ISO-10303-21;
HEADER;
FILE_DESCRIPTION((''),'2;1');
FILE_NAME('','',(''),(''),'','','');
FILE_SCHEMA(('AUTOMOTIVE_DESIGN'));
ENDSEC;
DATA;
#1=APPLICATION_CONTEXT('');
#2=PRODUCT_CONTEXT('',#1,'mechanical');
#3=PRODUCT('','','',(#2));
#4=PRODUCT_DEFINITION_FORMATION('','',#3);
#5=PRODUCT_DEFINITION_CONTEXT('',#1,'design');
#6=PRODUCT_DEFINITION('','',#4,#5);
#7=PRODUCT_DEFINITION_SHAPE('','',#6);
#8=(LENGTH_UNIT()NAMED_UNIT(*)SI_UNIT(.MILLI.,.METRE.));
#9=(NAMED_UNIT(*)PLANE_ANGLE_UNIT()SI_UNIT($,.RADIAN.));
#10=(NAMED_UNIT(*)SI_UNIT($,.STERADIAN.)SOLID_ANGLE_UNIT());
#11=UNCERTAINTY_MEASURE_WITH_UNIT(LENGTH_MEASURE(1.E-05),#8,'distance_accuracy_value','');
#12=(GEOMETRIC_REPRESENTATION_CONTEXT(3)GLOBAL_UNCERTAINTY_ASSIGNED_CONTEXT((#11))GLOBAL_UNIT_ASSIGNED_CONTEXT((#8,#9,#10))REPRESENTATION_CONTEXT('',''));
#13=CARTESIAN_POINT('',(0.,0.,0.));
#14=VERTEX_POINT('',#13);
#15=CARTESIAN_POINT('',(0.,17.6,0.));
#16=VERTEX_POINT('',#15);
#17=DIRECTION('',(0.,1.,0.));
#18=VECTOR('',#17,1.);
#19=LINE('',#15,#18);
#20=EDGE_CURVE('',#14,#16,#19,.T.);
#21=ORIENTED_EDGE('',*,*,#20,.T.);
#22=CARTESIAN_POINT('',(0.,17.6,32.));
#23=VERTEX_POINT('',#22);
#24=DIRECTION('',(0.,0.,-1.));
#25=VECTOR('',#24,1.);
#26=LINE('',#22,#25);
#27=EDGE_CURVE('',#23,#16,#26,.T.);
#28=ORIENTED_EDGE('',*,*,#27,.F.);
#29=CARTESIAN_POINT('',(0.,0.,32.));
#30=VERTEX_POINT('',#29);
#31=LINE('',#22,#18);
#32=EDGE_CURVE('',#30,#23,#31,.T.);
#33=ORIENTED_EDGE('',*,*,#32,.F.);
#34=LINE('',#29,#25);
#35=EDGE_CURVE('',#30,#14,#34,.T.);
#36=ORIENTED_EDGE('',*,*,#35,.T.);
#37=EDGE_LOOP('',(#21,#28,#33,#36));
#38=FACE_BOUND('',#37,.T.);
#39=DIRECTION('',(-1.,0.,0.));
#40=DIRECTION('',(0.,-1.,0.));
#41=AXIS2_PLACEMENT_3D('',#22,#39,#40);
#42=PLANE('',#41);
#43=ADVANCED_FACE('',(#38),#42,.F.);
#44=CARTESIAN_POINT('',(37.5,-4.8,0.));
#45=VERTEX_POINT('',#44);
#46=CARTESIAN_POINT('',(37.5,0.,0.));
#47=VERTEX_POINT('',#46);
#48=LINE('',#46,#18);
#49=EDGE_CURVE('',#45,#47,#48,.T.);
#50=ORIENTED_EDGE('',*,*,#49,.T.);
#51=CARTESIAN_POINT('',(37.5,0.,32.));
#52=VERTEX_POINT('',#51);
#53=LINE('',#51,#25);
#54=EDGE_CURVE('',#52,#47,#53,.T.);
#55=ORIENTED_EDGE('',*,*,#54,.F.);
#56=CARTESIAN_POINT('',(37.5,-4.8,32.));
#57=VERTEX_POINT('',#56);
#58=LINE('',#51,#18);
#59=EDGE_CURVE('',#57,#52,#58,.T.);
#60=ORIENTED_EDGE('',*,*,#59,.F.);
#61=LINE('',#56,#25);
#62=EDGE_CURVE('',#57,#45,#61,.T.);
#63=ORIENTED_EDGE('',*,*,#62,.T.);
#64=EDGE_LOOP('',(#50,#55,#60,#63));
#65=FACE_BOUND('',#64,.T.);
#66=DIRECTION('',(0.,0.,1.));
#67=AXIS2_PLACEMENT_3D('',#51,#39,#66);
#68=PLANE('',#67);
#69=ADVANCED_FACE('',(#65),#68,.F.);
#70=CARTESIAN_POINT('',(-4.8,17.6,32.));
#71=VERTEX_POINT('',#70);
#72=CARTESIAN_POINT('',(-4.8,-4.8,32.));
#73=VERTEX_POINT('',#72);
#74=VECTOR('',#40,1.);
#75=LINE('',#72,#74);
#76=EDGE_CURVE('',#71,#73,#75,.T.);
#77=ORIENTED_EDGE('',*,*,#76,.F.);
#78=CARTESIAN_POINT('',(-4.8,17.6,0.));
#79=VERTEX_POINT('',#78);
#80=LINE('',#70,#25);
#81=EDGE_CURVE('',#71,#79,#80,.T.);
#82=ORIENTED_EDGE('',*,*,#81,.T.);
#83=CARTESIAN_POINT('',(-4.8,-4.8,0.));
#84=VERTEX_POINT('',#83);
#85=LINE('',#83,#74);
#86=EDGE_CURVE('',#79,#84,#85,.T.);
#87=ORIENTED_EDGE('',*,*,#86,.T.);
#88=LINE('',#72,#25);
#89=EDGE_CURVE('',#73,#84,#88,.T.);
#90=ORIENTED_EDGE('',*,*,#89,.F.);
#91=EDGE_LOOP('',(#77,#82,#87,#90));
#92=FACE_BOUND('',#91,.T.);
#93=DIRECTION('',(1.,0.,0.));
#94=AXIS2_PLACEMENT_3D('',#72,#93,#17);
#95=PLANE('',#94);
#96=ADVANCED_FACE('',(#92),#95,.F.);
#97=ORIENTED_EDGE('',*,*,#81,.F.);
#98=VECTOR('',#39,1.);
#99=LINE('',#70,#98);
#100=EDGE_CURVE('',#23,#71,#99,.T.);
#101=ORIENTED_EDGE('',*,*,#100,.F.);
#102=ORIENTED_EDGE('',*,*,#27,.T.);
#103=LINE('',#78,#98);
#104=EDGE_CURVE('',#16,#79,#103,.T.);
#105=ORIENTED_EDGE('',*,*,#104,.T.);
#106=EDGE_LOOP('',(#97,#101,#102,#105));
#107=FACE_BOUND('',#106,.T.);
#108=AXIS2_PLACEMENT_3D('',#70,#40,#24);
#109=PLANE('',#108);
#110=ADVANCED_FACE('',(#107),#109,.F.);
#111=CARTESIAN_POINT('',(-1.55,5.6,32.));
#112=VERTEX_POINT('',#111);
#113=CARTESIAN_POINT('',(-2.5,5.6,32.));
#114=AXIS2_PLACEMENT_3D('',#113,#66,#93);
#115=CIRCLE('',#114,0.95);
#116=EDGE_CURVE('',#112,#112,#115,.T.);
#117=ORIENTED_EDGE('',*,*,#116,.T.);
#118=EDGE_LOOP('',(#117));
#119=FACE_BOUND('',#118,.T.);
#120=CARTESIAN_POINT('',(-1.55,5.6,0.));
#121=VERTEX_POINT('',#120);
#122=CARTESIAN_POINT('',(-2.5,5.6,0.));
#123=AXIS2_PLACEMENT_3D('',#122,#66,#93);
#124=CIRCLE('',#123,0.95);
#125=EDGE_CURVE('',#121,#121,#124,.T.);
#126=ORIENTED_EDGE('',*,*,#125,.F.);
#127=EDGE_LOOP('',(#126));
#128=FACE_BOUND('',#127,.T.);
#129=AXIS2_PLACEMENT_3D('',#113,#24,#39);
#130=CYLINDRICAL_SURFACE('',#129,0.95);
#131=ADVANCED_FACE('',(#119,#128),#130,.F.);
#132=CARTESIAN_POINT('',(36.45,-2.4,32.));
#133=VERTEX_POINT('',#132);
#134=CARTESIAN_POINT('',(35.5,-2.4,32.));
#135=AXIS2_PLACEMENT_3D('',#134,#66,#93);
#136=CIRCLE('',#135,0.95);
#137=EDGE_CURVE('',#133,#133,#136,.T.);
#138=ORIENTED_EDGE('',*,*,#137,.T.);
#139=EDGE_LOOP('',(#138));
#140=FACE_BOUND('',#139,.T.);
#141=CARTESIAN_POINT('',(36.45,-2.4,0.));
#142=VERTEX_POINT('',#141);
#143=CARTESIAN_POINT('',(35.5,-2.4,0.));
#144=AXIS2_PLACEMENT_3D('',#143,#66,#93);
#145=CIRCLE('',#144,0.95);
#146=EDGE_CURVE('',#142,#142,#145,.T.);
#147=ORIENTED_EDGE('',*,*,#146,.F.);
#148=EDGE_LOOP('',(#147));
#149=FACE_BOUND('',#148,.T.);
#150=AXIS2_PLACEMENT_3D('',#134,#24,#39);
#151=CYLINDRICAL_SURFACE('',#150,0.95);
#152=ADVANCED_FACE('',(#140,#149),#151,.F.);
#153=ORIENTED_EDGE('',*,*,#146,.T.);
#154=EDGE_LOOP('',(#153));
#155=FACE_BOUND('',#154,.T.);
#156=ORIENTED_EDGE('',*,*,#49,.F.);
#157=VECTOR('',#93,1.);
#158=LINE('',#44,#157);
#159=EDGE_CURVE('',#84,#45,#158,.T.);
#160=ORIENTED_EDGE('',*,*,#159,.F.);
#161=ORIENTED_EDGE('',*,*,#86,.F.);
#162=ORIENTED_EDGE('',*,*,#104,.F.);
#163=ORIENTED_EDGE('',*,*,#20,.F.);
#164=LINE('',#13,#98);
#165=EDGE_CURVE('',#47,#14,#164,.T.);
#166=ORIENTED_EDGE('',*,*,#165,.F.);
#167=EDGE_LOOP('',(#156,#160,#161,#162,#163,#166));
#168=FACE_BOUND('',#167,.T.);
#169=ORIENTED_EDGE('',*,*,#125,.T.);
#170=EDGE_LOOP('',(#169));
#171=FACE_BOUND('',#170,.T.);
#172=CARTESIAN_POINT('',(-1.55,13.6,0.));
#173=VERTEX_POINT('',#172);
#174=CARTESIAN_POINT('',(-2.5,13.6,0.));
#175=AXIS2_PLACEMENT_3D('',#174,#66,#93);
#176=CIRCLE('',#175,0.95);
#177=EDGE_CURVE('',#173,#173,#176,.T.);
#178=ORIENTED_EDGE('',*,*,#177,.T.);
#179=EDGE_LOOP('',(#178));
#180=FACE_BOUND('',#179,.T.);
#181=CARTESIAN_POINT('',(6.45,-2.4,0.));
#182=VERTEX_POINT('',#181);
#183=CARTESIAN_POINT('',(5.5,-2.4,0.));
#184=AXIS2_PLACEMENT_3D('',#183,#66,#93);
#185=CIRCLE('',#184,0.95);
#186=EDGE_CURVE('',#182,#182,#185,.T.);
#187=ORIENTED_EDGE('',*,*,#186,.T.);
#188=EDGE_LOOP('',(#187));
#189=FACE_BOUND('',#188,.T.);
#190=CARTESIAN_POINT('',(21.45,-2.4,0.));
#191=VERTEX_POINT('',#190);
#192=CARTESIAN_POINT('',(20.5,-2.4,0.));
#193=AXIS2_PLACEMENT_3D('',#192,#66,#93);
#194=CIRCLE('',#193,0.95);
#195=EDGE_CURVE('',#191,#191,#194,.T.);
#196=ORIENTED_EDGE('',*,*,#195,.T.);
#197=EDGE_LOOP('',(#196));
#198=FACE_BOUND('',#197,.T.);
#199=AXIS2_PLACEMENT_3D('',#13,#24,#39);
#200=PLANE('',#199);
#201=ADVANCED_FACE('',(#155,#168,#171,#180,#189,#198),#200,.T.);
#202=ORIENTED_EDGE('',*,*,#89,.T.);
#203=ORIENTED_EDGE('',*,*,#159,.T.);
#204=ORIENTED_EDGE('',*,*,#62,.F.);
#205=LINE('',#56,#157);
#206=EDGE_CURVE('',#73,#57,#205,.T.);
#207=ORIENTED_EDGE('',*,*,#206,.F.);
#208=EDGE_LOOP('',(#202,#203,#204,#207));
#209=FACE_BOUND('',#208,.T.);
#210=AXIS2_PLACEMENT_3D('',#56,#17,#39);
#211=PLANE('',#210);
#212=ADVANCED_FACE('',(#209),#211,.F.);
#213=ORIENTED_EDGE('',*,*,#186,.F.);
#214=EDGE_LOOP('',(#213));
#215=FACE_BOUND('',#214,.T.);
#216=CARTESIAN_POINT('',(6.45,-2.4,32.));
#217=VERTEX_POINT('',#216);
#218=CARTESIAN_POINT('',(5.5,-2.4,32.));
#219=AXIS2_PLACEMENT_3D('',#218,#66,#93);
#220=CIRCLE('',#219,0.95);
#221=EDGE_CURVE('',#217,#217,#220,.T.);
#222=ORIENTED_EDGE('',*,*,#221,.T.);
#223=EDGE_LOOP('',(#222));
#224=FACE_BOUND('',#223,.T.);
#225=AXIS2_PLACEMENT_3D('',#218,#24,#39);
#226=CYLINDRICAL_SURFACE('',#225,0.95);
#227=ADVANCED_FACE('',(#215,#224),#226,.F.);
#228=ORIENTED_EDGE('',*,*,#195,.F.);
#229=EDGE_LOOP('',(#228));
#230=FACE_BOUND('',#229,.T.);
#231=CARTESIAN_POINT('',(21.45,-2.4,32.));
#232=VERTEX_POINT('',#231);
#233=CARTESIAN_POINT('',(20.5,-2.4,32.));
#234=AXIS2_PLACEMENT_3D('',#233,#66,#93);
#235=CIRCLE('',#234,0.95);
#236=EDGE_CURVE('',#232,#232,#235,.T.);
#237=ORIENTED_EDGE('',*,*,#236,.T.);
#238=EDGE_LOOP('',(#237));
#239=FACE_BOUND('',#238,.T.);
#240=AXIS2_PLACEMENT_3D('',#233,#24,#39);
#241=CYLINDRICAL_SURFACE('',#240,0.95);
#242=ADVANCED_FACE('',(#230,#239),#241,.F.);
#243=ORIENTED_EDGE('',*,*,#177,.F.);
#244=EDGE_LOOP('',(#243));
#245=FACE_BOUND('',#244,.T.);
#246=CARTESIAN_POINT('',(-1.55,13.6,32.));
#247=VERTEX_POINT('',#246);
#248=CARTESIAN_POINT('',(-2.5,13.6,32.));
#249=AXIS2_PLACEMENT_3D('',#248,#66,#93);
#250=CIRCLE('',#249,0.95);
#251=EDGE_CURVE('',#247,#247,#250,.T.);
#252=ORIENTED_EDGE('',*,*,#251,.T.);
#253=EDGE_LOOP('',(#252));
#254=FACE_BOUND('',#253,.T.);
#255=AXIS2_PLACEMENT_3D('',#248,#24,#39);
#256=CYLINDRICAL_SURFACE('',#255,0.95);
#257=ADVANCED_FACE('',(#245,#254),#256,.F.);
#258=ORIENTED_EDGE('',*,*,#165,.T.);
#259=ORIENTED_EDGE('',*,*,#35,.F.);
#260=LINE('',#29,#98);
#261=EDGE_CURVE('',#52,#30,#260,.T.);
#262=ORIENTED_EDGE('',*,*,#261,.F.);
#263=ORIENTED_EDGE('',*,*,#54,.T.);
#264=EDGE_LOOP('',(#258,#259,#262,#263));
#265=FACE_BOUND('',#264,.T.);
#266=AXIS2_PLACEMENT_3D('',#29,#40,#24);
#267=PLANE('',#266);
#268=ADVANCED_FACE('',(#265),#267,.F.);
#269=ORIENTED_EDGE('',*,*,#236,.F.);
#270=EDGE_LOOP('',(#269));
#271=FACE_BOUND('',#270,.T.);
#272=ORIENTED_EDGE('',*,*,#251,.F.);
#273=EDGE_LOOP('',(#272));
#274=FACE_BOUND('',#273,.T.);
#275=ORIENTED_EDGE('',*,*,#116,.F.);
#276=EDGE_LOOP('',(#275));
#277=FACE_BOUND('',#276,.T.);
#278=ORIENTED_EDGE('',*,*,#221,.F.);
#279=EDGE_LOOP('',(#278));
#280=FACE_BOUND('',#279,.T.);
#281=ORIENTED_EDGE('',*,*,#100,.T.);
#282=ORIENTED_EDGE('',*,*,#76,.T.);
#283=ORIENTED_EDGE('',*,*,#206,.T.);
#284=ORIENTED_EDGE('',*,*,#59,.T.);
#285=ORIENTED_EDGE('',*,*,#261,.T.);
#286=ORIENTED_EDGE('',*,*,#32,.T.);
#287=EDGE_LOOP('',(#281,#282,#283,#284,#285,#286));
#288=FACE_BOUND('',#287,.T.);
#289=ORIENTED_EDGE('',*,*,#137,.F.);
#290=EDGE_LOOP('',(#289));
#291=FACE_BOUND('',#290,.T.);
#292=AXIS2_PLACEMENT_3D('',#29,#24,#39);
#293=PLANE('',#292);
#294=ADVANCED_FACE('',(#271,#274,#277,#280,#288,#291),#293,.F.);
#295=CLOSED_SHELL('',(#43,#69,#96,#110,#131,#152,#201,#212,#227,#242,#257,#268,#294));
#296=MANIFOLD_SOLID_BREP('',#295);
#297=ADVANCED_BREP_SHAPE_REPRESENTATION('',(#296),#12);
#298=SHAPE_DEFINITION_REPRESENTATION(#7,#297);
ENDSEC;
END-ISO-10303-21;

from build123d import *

# Parameters (mm, degrees)
SKETCH_1_R      = 0.95
EXTRUDE_1_DEPTH = 32


with BuildPart() as part:
    # 草图1 → 凸台-拉伸1 (new body)
    with BuildSketch(Plane.XY):
        Polygon((0, 17.6), (0, 0), (37.5, 0), (37.5, -4.8), (-4.8, -4.8), (-4.8, 17.6), align=None)
        with Locations((-2.5, 13.6)):
            Circle(SKETCH_1_R, mode=Mode.SUBTRACT)
        with Locations((35.5, -2.4)):
            Circle(SKETCH_1_R, mode=Mode.SUBTRACT)
        with Locations((20.5, -2.4)):
            Circle(SKETCH_1_R, mode=Mode.SUBTRACT)
        with Locations((5.5, -2.4)):
            Circle(SKETCH_1_R, mode=Mode.SUBTRACT)
        with Locations((-2.5, 5.6)):
            Circle(SKETCH_1_R, mode=Mode.SUBTRACT)
    extrude(amount=EXTRUDE_1_DEPTH)


solid = part.part
